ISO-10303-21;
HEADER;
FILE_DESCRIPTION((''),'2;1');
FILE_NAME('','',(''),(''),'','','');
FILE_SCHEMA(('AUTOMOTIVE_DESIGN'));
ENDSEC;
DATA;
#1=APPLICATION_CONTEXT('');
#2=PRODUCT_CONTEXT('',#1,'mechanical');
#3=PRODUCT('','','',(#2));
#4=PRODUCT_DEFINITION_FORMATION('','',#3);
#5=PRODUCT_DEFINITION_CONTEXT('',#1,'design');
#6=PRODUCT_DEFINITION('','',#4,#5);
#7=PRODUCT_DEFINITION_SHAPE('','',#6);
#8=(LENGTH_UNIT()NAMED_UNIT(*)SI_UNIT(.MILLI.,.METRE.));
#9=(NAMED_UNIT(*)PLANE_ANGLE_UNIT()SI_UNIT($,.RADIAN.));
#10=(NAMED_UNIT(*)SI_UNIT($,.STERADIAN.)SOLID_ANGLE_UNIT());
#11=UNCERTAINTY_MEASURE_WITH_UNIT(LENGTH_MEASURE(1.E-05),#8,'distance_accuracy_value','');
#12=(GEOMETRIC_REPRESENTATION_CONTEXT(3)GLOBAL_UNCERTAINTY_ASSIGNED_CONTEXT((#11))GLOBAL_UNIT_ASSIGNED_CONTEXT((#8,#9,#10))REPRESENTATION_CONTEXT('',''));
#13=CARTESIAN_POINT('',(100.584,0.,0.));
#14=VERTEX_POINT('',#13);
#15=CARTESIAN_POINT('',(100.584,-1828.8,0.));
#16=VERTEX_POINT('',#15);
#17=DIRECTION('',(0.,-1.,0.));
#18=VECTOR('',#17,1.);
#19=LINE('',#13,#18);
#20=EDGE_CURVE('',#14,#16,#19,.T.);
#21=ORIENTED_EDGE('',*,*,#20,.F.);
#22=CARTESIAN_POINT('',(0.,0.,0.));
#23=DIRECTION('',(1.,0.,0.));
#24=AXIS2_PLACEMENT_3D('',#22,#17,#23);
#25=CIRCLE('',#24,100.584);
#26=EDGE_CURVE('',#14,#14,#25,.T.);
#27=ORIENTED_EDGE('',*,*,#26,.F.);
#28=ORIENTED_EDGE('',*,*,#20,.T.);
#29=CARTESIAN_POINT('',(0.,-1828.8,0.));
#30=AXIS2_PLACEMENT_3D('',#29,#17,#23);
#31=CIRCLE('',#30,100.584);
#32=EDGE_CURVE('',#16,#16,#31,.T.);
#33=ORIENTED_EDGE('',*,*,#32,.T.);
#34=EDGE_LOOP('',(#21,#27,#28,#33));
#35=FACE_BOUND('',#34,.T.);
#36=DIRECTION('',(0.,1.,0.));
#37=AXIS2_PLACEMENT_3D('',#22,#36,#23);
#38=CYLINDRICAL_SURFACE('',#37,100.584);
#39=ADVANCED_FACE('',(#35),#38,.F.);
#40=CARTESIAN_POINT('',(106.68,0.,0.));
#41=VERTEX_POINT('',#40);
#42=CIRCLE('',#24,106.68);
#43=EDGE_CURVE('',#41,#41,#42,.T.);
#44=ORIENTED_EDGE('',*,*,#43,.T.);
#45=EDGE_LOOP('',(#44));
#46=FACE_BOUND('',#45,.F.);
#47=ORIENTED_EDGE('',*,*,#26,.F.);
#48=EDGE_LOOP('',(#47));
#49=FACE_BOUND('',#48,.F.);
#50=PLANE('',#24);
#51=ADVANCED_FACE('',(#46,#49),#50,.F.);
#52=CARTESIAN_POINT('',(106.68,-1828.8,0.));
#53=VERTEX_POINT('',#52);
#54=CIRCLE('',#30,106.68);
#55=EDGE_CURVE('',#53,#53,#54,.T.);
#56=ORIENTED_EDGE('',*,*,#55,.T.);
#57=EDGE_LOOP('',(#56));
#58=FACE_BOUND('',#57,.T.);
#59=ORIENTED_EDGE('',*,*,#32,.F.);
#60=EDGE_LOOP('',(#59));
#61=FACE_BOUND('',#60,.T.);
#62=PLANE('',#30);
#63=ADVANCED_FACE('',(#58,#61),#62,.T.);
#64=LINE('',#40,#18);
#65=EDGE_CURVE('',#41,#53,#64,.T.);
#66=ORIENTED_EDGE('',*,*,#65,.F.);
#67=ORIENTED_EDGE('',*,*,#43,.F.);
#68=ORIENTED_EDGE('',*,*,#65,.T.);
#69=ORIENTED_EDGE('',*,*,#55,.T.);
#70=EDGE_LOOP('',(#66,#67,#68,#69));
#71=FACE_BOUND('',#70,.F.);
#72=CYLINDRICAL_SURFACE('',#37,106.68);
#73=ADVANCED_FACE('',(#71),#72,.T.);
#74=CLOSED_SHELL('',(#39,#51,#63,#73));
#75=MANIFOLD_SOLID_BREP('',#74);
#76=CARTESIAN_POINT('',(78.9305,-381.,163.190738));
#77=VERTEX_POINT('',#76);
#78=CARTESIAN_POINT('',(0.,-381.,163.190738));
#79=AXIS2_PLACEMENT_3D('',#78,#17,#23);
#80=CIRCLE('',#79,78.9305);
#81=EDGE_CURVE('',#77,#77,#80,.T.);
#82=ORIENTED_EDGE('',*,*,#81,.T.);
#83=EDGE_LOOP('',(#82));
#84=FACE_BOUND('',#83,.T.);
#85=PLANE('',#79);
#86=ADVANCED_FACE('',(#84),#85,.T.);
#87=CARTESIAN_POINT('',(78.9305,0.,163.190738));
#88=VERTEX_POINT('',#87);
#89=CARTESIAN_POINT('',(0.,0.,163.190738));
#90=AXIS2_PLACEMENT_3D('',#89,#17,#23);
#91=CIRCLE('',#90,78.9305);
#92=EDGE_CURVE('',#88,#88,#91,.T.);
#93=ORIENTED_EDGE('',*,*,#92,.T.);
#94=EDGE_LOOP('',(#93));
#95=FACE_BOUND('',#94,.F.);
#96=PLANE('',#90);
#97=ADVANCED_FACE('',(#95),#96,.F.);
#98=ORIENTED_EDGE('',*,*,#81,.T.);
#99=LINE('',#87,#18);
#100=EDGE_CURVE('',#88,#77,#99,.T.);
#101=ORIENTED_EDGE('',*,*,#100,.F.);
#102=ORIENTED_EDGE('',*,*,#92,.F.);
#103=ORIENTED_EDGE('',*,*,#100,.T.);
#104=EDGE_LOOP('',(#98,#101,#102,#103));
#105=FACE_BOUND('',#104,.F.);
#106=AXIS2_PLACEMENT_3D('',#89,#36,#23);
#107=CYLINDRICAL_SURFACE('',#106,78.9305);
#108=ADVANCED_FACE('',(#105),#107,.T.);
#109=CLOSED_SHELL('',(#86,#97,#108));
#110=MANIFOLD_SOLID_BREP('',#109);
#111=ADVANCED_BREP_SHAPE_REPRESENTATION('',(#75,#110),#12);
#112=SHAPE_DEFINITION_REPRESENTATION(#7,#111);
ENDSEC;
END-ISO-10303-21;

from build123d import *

# Parameters (mm, degrees)
F0_R     = 106.68
F0_R_2   = 100.584
F1_DEPTH = 1828.8
F2_R     = 78.9305
F2_R_2   = 75.1205
F3_DEPTH = 381


with BuildPart() as f1:
    # F0 (on Front) → F1 (new body)
    with BuildSketch(Plane.XZ):
        Circle(F0_R)
        Circle(F0_R_2, mode=Mode.SUBTRACT)
    extrude(amount=F1_DEPTH)


with BuildPart() as f3:
    # F2 (on Front) → F3 (new body)
    with BuildSketch(Plane.XZ):
        with Locations((0, 163.190738)):
            Circle(F2_R)
        with Locations((0, 163.190738)):
            Circle(F2_R_2, mode=Mode.SUBTRACT)
        with Locations((0, 163.190738)):
            Circle(F2_R_2)
    extrude(amount=F3_DEPTH)


solid = Compound([f1.part, f3.part])
